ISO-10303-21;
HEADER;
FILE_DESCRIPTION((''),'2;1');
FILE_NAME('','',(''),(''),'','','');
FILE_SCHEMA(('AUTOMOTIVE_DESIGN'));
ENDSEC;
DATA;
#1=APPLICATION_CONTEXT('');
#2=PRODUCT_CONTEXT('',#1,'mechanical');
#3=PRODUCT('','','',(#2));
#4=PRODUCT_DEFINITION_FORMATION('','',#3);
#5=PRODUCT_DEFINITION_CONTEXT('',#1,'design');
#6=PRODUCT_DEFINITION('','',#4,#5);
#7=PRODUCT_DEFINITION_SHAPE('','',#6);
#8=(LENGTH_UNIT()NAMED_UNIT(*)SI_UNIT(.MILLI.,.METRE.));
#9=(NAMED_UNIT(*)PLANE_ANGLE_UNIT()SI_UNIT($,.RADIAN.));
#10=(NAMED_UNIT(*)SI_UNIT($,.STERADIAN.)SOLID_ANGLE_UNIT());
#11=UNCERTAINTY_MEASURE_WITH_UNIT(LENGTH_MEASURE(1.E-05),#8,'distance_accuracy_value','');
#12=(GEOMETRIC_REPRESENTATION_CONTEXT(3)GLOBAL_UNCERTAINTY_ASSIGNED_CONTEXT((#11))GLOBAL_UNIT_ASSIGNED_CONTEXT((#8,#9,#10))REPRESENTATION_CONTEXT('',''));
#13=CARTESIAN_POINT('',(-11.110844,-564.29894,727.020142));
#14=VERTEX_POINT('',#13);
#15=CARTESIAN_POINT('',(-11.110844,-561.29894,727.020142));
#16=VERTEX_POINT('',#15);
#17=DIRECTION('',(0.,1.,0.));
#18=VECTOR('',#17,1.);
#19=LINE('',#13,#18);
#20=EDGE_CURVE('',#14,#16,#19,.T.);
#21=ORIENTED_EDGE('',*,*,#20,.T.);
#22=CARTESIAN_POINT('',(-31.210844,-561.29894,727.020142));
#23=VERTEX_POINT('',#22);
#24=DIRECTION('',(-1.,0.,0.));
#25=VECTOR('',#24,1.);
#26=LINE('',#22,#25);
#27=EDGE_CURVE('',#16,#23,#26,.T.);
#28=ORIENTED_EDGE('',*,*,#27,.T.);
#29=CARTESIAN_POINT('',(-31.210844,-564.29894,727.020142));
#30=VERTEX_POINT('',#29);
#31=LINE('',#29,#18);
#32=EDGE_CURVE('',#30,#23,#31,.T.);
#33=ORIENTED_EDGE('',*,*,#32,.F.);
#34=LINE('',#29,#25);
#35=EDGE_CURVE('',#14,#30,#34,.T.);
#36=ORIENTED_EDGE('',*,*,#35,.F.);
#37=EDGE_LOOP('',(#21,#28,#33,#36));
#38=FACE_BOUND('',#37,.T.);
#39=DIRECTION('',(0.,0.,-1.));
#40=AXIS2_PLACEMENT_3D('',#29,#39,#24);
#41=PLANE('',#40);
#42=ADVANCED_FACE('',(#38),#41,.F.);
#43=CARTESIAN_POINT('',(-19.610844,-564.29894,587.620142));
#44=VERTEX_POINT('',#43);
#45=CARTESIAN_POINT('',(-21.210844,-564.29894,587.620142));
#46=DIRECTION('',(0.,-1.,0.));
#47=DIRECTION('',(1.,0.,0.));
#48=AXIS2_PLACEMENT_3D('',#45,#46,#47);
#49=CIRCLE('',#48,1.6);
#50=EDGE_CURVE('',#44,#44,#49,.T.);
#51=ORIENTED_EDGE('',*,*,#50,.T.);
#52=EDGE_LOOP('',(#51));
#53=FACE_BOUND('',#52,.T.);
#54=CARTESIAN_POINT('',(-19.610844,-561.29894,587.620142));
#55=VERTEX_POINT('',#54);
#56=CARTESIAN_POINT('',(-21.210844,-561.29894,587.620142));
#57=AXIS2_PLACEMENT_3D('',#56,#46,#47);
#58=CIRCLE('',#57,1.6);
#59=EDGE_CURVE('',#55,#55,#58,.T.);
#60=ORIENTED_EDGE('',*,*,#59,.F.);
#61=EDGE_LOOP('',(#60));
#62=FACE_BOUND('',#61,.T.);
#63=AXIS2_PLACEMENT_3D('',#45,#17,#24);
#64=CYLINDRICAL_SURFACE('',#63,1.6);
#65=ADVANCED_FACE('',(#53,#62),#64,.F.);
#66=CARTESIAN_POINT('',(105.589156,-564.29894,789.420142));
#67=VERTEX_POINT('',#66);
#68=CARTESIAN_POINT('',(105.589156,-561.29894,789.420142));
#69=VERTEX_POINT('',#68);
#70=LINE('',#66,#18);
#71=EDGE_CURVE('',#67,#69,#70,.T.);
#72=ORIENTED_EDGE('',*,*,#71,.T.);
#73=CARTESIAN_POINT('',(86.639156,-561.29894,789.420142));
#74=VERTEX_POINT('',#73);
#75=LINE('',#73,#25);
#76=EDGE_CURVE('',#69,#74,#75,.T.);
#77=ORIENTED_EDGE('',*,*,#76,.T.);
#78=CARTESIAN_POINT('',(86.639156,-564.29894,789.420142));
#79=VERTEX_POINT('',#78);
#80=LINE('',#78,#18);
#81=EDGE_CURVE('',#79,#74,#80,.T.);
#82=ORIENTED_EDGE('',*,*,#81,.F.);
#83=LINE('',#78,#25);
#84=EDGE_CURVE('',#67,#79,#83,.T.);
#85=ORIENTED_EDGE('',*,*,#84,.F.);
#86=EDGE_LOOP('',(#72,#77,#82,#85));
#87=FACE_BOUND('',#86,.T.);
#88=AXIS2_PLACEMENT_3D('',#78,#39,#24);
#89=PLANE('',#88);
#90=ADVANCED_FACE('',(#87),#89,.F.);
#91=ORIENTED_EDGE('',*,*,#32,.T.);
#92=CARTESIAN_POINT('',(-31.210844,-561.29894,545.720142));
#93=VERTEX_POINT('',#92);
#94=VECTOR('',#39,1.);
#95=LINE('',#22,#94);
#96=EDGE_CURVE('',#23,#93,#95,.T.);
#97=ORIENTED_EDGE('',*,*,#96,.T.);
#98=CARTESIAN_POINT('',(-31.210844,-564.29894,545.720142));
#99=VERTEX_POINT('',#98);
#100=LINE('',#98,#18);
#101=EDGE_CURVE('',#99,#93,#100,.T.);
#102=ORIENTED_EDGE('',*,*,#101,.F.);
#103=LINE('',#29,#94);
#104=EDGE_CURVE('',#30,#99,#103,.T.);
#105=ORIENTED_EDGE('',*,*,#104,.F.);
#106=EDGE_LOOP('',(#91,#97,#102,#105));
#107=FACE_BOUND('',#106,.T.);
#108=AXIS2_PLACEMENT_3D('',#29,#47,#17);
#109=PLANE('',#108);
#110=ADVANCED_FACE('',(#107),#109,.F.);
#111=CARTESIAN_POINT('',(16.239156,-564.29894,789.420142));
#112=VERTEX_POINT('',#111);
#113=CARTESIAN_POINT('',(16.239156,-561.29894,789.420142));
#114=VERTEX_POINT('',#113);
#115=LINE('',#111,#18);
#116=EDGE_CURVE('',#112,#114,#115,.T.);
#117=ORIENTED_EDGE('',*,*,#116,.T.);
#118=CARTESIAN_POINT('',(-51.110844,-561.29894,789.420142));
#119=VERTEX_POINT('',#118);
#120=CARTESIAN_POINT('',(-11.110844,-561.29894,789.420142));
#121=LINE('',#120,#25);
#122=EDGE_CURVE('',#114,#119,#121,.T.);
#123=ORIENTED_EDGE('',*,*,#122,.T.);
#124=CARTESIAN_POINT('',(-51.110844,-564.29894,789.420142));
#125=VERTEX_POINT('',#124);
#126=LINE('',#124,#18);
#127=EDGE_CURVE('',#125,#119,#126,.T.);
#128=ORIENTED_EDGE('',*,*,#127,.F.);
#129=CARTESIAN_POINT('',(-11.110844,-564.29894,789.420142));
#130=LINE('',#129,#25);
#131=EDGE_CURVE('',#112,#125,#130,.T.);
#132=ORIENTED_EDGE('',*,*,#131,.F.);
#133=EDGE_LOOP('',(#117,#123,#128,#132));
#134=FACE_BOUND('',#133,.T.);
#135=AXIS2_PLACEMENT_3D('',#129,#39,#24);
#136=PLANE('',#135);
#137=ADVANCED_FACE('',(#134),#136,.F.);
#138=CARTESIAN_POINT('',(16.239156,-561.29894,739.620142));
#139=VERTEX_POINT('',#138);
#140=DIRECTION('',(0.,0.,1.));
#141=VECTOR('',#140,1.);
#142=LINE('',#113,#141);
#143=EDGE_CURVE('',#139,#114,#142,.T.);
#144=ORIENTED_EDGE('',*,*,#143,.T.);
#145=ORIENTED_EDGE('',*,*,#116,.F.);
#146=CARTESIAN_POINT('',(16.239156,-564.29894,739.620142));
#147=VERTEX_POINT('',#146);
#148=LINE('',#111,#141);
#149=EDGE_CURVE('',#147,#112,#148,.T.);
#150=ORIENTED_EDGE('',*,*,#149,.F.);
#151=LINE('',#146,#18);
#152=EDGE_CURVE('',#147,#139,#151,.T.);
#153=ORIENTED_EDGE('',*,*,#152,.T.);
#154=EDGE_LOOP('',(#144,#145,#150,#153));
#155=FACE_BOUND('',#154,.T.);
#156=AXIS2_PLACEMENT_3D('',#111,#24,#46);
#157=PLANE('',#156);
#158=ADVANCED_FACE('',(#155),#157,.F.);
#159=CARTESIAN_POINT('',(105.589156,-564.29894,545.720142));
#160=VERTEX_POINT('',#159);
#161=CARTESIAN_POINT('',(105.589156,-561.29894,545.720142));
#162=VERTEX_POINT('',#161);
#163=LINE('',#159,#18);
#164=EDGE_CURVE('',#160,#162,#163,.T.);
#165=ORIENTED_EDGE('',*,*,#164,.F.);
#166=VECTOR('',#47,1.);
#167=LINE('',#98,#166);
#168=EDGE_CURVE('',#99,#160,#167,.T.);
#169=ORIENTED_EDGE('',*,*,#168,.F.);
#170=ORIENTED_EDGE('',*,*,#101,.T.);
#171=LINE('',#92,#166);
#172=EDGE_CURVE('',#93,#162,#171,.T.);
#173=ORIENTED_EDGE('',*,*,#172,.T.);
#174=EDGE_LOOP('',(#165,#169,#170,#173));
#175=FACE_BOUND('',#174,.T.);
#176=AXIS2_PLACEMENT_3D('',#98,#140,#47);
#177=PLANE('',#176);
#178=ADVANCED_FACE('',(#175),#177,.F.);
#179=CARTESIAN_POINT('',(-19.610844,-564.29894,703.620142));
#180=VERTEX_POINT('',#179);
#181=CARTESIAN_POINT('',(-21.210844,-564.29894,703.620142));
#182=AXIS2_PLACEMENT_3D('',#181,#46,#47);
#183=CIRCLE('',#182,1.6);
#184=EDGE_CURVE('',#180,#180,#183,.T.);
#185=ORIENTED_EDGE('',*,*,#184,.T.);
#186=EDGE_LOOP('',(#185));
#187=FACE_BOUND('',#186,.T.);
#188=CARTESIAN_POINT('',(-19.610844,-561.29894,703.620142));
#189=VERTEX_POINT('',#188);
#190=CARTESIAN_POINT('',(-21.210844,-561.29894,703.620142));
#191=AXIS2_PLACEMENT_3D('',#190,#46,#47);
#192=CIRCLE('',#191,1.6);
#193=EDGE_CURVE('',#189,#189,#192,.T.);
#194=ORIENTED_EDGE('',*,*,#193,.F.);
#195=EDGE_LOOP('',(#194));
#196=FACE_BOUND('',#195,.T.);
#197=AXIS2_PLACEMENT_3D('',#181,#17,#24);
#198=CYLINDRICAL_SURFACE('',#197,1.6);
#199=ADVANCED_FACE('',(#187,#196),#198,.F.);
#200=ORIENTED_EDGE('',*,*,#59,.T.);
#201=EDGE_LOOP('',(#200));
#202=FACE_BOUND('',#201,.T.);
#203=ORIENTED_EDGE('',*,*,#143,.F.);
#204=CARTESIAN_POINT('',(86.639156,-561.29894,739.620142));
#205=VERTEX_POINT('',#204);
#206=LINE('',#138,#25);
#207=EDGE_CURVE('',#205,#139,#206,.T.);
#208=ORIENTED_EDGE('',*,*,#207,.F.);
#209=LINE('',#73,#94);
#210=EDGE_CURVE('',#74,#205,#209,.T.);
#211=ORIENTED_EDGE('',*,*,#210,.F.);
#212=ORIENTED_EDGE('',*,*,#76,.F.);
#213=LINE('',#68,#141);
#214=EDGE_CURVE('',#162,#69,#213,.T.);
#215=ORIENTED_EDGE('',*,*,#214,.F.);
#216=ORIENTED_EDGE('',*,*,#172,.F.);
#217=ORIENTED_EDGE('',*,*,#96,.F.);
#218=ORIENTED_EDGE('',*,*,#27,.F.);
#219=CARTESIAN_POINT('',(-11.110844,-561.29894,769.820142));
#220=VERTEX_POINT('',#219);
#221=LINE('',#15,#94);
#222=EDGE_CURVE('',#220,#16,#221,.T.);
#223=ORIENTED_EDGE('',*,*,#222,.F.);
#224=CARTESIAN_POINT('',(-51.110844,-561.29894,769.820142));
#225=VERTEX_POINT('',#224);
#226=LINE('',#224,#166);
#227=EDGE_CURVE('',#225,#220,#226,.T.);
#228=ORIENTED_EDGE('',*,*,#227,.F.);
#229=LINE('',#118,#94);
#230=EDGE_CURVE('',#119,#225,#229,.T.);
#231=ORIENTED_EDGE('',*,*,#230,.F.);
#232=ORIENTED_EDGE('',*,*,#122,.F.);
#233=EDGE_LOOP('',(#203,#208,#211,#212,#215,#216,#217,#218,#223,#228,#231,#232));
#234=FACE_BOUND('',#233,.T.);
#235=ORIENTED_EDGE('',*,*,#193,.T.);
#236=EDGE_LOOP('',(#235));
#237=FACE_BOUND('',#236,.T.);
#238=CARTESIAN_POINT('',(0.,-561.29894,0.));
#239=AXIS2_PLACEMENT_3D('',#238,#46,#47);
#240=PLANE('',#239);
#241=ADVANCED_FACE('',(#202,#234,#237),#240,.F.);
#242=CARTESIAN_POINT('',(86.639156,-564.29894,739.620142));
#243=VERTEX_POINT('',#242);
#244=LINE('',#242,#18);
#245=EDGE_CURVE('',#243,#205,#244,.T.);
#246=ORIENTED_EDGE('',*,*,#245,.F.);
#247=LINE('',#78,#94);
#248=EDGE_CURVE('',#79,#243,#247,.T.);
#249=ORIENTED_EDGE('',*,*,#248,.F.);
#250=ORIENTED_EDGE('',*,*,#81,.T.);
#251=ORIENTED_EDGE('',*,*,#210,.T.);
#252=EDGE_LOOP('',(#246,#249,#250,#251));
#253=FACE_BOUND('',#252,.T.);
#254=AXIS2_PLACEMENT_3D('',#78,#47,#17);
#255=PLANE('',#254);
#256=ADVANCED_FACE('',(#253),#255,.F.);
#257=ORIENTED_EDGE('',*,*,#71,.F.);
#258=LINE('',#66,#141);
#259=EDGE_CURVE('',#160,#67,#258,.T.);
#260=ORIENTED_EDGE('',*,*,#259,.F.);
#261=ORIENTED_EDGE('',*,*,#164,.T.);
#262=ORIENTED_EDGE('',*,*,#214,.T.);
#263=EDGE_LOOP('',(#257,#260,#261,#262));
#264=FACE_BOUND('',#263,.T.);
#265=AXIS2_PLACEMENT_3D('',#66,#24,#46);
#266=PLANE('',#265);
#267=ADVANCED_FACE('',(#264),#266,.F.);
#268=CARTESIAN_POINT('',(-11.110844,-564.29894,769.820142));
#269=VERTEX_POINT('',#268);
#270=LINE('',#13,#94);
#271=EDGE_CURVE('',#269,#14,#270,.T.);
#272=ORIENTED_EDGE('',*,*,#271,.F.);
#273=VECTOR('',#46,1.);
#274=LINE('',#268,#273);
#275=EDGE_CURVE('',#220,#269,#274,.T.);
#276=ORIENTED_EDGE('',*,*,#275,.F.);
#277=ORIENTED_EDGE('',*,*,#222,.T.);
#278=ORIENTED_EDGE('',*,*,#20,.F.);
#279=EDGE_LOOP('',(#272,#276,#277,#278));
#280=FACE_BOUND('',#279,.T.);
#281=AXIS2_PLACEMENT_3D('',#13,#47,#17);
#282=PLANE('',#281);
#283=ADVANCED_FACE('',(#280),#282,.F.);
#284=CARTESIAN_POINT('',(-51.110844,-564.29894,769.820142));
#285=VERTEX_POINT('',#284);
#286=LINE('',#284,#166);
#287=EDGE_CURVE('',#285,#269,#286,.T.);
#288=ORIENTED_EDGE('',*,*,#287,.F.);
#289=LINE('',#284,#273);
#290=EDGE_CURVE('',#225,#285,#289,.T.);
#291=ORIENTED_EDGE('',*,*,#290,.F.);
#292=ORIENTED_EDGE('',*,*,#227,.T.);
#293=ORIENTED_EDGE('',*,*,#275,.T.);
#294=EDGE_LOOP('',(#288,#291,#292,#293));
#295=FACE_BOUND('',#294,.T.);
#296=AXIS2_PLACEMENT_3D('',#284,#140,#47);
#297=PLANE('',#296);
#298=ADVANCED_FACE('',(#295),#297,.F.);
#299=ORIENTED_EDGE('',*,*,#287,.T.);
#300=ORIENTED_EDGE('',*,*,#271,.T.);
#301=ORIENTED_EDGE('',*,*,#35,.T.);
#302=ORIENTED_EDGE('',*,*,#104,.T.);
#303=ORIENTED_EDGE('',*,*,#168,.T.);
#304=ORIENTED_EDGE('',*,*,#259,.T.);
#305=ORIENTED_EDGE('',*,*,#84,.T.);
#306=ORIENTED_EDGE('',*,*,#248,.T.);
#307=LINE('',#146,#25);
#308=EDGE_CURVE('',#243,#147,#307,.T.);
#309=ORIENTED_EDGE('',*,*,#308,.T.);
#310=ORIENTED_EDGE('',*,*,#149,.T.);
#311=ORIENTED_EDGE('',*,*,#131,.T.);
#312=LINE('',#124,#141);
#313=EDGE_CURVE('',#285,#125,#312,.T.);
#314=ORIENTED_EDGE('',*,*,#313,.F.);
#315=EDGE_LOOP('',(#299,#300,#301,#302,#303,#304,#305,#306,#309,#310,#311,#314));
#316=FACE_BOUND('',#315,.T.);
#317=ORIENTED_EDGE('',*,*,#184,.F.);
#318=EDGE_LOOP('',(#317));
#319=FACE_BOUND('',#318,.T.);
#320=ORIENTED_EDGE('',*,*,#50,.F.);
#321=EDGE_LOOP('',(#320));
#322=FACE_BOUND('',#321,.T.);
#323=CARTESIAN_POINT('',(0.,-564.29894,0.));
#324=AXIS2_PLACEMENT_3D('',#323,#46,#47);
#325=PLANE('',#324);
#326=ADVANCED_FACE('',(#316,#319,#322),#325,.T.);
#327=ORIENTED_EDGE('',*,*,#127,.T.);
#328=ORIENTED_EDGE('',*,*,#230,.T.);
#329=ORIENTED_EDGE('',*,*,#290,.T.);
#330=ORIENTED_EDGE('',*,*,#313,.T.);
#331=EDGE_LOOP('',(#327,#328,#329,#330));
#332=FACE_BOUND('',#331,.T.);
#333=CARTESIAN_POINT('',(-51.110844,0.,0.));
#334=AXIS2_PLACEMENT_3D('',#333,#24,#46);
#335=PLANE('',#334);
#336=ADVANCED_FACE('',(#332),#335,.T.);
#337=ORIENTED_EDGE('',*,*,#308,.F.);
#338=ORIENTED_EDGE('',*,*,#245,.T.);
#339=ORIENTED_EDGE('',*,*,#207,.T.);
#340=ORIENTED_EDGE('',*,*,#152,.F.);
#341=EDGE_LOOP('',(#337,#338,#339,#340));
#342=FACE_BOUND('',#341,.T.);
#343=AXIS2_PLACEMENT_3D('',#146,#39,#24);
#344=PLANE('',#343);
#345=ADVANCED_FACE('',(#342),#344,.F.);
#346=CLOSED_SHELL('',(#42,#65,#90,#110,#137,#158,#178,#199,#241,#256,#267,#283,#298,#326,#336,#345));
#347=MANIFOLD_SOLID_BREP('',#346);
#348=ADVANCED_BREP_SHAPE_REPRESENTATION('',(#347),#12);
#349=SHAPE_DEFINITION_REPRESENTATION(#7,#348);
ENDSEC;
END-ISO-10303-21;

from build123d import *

# Parameters (mm, degrees)
SKETCH1_R           = 1.6
BOSS_EXTRUDE1_DEPTH = 3
SKETCH2_W           = 19.6
SKETCH2_H           = 3
BOSS_EXTRUDE2_DEPTH = 40


with BuildPart() as part:
    # Sketch1 → Boss-Extrude1 (new body)
    with BuildSketch(Plane.XZ.offset(561.298939869)):
        Polygon((-11.110843614, 789.420141885), (16.239156386, 789.420141885), (16.239156386, 739.620141885), (86.639156386, 739.620141885), (86.639156386, 789.420141885), (105.589156386, 789.420141885), (105.589156386, 545.720141885), (-31.210843614, 545.720141885), (-31.210843614, 727.020141885), (-11.110843614, 727.020141885), align=None)
        with Locations((-21.210843614, 703.620141885)):
            Circle(SKETCH1_R, mode=Mode.SUBTRACT)
        with Locations((-21.210843614, 587.620141885)):
            Circle(SKETCH1_R, mode=Mode.SUBTRACT)
    extrude(amount=BOSS_EXTRUDE1_DEPTH)

    # Sketch2 → Boss-Extrude2 (add)
    with BuildSketch(Plane.ZY.offset(11.110843614)):
        with Locations((779.620141885, -562.798939869)):
            Rectangle(SKETCH2_W, SKETCH2_H)
    extrude(amount=BOSS_EXTRUDE2_DEPTH)


solid = part.part
